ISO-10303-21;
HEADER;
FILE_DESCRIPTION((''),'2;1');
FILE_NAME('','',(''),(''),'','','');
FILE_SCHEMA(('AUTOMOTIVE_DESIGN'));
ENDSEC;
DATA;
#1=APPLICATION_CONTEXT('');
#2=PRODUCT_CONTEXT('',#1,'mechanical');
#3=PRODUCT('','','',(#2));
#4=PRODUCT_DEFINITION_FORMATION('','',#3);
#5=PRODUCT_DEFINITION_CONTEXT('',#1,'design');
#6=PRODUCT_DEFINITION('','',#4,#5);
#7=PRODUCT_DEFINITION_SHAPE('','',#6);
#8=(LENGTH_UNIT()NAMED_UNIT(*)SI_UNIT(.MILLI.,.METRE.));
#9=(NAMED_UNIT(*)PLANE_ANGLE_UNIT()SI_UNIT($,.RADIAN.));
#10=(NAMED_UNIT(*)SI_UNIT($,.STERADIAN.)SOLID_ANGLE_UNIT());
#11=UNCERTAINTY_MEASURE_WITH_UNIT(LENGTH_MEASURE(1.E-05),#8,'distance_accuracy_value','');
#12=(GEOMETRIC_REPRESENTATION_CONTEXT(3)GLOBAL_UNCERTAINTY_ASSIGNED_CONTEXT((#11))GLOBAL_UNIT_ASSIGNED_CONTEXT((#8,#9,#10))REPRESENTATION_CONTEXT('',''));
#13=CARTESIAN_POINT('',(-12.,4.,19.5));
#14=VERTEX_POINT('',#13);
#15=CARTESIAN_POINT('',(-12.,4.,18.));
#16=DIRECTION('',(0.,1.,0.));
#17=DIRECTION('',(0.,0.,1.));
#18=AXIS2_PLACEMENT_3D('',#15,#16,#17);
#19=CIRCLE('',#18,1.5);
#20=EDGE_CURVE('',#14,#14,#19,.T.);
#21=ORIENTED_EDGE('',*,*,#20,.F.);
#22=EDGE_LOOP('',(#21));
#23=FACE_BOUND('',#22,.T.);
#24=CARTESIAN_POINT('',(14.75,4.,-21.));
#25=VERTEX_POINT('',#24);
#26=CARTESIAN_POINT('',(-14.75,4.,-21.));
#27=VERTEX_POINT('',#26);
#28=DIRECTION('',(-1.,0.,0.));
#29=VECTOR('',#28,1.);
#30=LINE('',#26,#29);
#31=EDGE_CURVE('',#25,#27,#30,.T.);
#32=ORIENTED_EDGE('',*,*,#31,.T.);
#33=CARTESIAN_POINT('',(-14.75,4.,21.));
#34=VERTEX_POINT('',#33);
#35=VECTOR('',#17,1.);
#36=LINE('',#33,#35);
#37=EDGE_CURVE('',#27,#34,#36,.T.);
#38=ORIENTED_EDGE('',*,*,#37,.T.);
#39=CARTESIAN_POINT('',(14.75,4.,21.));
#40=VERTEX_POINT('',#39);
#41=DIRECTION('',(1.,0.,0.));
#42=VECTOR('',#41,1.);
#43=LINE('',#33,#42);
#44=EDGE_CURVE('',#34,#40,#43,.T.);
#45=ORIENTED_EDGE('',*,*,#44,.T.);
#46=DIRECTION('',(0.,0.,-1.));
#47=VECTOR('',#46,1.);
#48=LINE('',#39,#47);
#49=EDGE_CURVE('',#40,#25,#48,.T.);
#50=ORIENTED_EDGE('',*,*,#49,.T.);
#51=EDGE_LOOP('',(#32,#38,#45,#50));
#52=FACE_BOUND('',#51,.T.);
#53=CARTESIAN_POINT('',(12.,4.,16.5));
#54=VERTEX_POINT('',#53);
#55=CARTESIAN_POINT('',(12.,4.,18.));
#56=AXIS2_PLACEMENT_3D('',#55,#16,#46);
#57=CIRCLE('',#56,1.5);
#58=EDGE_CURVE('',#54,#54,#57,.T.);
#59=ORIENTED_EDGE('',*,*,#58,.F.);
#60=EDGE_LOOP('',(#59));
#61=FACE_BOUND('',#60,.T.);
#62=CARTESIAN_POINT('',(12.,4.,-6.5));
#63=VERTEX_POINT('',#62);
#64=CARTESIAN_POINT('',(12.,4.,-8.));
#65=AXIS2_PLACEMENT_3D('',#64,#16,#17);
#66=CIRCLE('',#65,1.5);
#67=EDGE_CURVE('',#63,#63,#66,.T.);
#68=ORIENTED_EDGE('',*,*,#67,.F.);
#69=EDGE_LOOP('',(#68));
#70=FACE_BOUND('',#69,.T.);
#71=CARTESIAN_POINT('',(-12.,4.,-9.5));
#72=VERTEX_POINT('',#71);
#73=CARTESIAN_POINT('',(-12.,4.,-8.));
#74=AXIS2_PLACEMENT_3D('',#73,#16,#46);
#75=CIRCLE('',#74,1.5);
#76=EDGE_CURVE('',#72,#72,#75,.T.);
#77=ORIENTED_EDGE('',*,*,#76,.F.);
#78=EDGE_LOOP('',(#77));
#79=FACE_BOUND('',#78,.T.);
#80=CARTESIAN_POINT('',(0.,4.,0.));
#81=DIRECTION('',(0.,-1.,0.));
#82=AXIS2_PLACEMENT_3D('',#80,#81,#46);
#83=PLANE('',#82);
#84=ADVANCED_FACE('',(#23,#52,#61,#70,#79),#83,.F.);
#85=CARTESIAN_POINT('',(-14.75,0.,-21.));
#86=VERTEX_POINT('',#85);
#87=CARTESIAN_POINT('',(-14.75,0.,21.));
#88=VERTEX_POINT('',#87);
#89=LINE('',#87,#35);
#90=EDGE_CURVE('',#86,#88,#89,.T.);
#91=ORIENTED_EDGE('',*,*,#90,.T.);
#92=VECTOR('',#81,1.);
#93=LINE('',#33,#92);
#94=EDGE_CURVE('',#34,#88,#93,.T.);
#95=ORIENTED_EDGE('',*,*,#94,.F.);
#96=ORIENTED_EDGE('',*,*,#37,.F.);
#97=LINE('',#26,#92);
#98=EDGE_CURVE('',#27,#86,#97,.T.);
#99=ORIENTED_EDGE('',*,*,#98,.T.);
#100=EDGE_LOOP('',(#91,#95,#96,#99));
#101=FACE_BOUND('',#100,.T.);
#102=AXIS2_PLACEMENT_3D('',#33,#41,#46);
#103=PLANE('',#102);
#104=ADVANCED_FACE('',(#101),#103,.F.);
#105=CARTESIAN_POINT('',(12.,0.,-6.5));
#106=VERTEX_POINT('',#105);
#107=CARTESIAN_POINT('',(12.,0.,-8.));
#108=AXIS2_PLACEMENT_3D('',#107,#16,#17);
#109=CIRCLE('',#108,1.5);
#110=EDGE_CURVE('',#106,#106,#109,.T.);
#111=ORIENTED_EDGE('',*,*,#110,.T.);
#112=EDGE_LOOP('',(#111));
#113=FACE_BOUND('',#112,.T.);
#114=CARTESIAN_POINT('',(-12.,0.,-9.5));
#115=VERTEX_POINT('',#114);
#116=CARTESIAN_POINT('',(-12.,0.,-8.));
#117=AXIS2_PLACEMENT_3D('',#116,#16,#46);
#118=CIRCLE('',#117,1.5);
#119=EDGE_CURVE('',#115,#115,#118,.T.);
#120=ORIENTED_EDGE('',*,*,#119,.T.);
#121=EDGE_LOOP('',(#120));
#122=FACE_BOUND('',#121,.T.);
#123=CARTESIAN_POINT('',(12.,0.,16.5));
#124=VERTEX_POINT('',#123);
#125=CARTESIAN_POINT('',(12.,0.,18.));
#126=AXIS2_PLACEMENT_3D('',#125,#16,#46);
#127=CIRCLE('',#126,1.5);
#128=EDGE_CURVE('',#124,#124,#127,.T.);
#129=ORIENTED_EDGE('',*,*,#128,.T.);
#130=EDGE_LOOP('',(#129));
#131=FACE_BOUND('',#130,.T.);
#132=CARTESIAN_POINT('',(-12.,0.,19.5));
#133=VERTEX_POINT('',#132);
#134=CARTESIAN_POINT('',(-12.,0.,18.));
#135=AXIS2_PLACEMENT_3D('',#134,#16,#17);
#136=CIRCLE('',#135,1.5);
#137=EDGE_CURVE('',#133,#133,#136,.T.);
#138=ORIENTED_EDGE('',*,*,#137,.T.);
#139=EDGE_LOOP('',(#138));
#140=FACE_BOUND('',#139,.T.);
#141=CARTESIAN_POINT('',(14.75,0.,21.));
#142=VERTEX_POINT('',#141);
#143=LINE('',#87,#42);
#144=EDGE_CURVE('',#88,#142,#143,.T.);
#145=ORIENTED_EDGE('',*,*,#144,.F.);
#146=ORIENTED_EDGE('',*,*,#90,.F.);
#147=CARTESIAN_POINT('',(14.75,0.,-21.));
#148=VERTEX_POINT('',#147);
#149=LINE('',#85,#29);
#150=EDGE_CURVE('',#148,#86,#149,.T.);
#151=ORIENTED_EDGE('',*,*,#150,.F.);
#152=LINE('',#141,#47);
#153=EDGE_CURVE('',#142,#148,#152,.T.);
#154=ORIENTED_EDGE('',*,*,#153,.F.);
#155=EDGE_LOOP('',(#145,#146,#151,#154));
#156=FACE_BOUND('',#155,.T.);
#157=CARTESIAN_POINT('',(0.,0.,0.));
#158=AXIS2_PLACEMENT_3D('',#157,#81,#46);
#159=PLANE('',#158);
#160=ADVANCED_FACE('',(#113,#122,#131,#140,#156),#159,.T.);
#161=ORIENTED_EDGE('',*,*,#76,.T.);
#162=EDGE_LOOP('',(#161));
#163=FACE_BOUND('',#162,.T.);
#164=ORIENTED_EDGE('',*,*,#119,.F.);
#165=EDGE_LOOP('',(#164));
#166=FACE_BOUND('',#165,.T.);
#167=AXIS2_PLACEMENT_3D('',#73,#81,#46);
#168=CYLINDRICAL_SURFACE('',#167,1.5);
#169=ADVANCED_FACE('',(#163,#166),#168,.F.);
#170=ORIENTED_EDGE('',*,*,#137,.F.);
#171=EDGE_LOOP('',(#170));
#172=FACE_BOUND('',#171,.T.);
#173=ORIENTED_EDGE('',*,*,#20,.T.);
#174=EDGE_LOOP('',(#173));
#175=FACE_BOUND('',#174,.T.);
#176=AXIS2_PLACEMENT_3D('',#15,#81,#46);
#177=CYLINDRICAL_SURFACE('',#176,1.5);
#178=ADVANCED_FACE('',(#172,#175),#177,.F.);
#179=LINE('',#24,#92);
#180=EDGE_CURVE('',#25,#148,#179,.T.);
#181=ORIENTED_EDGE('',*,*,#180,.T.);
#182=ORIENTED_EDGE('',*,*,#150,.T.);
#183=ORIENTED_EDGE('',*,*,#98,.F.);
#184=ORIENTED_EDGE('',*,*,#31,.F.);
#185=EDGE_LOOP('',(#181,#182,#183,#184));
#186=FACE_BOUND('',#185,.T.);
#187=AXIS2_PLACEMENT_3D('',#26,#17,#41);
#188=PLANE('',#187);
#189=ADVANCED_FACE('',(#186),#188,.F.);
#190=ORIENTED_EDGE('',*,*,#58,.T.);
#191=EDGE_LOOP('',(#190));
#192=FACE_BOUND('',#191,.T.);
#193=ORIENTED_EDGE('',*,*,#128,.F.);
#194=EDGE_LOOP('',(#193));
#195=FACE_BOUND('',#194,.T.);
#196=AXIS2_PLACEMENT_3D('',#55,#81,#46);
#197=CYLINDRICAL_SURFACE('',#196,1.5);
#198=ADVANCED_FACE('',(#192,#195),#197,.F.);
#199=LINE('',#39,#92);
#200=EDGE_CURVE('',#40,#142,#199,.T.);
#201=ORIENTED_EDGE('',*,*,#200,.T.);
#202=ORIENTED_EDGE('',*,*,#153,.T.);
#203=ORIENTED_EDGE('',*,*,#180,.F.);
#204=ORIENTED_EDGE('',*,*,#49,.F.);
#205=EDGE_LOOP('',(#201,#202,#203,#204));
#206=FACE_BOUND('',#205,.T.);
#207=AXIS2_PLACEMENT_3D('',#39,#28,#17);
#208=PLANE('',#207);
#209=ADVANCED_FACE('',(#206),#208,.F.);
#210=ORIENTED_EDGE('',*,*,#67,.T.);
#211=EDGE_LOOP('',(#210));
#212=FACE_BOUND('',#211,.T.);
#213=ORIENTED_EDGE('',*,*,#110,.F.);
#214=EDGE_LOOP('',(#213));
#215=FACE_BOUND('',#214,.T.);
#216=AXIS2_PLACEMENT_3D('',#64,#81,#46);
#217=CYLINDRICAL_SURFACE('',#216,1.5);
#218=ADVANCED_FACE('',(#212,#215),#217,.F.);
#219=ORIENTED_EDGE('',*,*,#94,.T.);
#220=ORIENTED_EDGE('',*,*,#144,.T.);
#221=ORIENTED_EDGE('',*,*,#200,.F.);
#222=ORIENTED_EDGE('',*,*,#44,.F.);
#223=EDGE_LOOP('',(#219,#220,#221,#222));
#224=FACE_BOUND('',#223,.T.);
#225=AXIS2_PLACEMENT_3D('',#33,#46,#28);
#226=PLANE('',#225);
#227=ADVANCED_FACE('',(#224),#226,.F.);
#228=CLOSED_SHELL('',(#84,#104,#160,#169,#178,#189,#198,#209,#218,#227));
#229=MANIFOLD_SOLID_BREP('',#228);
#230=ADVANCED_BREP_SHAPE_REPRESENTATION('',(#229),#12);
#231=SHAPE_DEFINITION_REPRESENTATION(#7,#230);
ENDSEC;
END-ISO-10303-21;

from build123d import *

# Parameters (mm, degrees)
SKETCH_1_W      = 29.5
SKETCH_1_H      = 42
SKETCH_1_R      = 1.5
EXTRUDE_1_DEPTH = 4


with BuildPart() as part:
    # 草图1 → 凸台-拉伸1 (new body)
    with BuildSketch(Plane(origin=(0, 0, 0), x_dir=(1, 0, 0), z_dir=(0, 1, 0))):
        Rectangle(SKETCH_1_W, SKETCH_1_H)
        with Locations(Location((12, 8, 0), (0, 0, 270))):
            Circle(SKETCH_1_R, mode=Mode.SUBTRACT)
        with Locations(Location((12, -18, 0), (0, 0, 90))):
            Circle(SKETCH_1_R, mode=Mode.SUBTRACT)
        with Locations(Location((-12, -18, 0), (0, 0, 270))):
            Circle(SKETCH_1_R, mode=Mode.SUBTRACT)
        with Locations(Location((-12, 8, 0), (0, 0, 90))):
            Circle(SKETCH_1_R, mode=Mode.SUBTRACT)
    extrude(amount=EXTRUDE_1_DEPTH)


solid = part.part
